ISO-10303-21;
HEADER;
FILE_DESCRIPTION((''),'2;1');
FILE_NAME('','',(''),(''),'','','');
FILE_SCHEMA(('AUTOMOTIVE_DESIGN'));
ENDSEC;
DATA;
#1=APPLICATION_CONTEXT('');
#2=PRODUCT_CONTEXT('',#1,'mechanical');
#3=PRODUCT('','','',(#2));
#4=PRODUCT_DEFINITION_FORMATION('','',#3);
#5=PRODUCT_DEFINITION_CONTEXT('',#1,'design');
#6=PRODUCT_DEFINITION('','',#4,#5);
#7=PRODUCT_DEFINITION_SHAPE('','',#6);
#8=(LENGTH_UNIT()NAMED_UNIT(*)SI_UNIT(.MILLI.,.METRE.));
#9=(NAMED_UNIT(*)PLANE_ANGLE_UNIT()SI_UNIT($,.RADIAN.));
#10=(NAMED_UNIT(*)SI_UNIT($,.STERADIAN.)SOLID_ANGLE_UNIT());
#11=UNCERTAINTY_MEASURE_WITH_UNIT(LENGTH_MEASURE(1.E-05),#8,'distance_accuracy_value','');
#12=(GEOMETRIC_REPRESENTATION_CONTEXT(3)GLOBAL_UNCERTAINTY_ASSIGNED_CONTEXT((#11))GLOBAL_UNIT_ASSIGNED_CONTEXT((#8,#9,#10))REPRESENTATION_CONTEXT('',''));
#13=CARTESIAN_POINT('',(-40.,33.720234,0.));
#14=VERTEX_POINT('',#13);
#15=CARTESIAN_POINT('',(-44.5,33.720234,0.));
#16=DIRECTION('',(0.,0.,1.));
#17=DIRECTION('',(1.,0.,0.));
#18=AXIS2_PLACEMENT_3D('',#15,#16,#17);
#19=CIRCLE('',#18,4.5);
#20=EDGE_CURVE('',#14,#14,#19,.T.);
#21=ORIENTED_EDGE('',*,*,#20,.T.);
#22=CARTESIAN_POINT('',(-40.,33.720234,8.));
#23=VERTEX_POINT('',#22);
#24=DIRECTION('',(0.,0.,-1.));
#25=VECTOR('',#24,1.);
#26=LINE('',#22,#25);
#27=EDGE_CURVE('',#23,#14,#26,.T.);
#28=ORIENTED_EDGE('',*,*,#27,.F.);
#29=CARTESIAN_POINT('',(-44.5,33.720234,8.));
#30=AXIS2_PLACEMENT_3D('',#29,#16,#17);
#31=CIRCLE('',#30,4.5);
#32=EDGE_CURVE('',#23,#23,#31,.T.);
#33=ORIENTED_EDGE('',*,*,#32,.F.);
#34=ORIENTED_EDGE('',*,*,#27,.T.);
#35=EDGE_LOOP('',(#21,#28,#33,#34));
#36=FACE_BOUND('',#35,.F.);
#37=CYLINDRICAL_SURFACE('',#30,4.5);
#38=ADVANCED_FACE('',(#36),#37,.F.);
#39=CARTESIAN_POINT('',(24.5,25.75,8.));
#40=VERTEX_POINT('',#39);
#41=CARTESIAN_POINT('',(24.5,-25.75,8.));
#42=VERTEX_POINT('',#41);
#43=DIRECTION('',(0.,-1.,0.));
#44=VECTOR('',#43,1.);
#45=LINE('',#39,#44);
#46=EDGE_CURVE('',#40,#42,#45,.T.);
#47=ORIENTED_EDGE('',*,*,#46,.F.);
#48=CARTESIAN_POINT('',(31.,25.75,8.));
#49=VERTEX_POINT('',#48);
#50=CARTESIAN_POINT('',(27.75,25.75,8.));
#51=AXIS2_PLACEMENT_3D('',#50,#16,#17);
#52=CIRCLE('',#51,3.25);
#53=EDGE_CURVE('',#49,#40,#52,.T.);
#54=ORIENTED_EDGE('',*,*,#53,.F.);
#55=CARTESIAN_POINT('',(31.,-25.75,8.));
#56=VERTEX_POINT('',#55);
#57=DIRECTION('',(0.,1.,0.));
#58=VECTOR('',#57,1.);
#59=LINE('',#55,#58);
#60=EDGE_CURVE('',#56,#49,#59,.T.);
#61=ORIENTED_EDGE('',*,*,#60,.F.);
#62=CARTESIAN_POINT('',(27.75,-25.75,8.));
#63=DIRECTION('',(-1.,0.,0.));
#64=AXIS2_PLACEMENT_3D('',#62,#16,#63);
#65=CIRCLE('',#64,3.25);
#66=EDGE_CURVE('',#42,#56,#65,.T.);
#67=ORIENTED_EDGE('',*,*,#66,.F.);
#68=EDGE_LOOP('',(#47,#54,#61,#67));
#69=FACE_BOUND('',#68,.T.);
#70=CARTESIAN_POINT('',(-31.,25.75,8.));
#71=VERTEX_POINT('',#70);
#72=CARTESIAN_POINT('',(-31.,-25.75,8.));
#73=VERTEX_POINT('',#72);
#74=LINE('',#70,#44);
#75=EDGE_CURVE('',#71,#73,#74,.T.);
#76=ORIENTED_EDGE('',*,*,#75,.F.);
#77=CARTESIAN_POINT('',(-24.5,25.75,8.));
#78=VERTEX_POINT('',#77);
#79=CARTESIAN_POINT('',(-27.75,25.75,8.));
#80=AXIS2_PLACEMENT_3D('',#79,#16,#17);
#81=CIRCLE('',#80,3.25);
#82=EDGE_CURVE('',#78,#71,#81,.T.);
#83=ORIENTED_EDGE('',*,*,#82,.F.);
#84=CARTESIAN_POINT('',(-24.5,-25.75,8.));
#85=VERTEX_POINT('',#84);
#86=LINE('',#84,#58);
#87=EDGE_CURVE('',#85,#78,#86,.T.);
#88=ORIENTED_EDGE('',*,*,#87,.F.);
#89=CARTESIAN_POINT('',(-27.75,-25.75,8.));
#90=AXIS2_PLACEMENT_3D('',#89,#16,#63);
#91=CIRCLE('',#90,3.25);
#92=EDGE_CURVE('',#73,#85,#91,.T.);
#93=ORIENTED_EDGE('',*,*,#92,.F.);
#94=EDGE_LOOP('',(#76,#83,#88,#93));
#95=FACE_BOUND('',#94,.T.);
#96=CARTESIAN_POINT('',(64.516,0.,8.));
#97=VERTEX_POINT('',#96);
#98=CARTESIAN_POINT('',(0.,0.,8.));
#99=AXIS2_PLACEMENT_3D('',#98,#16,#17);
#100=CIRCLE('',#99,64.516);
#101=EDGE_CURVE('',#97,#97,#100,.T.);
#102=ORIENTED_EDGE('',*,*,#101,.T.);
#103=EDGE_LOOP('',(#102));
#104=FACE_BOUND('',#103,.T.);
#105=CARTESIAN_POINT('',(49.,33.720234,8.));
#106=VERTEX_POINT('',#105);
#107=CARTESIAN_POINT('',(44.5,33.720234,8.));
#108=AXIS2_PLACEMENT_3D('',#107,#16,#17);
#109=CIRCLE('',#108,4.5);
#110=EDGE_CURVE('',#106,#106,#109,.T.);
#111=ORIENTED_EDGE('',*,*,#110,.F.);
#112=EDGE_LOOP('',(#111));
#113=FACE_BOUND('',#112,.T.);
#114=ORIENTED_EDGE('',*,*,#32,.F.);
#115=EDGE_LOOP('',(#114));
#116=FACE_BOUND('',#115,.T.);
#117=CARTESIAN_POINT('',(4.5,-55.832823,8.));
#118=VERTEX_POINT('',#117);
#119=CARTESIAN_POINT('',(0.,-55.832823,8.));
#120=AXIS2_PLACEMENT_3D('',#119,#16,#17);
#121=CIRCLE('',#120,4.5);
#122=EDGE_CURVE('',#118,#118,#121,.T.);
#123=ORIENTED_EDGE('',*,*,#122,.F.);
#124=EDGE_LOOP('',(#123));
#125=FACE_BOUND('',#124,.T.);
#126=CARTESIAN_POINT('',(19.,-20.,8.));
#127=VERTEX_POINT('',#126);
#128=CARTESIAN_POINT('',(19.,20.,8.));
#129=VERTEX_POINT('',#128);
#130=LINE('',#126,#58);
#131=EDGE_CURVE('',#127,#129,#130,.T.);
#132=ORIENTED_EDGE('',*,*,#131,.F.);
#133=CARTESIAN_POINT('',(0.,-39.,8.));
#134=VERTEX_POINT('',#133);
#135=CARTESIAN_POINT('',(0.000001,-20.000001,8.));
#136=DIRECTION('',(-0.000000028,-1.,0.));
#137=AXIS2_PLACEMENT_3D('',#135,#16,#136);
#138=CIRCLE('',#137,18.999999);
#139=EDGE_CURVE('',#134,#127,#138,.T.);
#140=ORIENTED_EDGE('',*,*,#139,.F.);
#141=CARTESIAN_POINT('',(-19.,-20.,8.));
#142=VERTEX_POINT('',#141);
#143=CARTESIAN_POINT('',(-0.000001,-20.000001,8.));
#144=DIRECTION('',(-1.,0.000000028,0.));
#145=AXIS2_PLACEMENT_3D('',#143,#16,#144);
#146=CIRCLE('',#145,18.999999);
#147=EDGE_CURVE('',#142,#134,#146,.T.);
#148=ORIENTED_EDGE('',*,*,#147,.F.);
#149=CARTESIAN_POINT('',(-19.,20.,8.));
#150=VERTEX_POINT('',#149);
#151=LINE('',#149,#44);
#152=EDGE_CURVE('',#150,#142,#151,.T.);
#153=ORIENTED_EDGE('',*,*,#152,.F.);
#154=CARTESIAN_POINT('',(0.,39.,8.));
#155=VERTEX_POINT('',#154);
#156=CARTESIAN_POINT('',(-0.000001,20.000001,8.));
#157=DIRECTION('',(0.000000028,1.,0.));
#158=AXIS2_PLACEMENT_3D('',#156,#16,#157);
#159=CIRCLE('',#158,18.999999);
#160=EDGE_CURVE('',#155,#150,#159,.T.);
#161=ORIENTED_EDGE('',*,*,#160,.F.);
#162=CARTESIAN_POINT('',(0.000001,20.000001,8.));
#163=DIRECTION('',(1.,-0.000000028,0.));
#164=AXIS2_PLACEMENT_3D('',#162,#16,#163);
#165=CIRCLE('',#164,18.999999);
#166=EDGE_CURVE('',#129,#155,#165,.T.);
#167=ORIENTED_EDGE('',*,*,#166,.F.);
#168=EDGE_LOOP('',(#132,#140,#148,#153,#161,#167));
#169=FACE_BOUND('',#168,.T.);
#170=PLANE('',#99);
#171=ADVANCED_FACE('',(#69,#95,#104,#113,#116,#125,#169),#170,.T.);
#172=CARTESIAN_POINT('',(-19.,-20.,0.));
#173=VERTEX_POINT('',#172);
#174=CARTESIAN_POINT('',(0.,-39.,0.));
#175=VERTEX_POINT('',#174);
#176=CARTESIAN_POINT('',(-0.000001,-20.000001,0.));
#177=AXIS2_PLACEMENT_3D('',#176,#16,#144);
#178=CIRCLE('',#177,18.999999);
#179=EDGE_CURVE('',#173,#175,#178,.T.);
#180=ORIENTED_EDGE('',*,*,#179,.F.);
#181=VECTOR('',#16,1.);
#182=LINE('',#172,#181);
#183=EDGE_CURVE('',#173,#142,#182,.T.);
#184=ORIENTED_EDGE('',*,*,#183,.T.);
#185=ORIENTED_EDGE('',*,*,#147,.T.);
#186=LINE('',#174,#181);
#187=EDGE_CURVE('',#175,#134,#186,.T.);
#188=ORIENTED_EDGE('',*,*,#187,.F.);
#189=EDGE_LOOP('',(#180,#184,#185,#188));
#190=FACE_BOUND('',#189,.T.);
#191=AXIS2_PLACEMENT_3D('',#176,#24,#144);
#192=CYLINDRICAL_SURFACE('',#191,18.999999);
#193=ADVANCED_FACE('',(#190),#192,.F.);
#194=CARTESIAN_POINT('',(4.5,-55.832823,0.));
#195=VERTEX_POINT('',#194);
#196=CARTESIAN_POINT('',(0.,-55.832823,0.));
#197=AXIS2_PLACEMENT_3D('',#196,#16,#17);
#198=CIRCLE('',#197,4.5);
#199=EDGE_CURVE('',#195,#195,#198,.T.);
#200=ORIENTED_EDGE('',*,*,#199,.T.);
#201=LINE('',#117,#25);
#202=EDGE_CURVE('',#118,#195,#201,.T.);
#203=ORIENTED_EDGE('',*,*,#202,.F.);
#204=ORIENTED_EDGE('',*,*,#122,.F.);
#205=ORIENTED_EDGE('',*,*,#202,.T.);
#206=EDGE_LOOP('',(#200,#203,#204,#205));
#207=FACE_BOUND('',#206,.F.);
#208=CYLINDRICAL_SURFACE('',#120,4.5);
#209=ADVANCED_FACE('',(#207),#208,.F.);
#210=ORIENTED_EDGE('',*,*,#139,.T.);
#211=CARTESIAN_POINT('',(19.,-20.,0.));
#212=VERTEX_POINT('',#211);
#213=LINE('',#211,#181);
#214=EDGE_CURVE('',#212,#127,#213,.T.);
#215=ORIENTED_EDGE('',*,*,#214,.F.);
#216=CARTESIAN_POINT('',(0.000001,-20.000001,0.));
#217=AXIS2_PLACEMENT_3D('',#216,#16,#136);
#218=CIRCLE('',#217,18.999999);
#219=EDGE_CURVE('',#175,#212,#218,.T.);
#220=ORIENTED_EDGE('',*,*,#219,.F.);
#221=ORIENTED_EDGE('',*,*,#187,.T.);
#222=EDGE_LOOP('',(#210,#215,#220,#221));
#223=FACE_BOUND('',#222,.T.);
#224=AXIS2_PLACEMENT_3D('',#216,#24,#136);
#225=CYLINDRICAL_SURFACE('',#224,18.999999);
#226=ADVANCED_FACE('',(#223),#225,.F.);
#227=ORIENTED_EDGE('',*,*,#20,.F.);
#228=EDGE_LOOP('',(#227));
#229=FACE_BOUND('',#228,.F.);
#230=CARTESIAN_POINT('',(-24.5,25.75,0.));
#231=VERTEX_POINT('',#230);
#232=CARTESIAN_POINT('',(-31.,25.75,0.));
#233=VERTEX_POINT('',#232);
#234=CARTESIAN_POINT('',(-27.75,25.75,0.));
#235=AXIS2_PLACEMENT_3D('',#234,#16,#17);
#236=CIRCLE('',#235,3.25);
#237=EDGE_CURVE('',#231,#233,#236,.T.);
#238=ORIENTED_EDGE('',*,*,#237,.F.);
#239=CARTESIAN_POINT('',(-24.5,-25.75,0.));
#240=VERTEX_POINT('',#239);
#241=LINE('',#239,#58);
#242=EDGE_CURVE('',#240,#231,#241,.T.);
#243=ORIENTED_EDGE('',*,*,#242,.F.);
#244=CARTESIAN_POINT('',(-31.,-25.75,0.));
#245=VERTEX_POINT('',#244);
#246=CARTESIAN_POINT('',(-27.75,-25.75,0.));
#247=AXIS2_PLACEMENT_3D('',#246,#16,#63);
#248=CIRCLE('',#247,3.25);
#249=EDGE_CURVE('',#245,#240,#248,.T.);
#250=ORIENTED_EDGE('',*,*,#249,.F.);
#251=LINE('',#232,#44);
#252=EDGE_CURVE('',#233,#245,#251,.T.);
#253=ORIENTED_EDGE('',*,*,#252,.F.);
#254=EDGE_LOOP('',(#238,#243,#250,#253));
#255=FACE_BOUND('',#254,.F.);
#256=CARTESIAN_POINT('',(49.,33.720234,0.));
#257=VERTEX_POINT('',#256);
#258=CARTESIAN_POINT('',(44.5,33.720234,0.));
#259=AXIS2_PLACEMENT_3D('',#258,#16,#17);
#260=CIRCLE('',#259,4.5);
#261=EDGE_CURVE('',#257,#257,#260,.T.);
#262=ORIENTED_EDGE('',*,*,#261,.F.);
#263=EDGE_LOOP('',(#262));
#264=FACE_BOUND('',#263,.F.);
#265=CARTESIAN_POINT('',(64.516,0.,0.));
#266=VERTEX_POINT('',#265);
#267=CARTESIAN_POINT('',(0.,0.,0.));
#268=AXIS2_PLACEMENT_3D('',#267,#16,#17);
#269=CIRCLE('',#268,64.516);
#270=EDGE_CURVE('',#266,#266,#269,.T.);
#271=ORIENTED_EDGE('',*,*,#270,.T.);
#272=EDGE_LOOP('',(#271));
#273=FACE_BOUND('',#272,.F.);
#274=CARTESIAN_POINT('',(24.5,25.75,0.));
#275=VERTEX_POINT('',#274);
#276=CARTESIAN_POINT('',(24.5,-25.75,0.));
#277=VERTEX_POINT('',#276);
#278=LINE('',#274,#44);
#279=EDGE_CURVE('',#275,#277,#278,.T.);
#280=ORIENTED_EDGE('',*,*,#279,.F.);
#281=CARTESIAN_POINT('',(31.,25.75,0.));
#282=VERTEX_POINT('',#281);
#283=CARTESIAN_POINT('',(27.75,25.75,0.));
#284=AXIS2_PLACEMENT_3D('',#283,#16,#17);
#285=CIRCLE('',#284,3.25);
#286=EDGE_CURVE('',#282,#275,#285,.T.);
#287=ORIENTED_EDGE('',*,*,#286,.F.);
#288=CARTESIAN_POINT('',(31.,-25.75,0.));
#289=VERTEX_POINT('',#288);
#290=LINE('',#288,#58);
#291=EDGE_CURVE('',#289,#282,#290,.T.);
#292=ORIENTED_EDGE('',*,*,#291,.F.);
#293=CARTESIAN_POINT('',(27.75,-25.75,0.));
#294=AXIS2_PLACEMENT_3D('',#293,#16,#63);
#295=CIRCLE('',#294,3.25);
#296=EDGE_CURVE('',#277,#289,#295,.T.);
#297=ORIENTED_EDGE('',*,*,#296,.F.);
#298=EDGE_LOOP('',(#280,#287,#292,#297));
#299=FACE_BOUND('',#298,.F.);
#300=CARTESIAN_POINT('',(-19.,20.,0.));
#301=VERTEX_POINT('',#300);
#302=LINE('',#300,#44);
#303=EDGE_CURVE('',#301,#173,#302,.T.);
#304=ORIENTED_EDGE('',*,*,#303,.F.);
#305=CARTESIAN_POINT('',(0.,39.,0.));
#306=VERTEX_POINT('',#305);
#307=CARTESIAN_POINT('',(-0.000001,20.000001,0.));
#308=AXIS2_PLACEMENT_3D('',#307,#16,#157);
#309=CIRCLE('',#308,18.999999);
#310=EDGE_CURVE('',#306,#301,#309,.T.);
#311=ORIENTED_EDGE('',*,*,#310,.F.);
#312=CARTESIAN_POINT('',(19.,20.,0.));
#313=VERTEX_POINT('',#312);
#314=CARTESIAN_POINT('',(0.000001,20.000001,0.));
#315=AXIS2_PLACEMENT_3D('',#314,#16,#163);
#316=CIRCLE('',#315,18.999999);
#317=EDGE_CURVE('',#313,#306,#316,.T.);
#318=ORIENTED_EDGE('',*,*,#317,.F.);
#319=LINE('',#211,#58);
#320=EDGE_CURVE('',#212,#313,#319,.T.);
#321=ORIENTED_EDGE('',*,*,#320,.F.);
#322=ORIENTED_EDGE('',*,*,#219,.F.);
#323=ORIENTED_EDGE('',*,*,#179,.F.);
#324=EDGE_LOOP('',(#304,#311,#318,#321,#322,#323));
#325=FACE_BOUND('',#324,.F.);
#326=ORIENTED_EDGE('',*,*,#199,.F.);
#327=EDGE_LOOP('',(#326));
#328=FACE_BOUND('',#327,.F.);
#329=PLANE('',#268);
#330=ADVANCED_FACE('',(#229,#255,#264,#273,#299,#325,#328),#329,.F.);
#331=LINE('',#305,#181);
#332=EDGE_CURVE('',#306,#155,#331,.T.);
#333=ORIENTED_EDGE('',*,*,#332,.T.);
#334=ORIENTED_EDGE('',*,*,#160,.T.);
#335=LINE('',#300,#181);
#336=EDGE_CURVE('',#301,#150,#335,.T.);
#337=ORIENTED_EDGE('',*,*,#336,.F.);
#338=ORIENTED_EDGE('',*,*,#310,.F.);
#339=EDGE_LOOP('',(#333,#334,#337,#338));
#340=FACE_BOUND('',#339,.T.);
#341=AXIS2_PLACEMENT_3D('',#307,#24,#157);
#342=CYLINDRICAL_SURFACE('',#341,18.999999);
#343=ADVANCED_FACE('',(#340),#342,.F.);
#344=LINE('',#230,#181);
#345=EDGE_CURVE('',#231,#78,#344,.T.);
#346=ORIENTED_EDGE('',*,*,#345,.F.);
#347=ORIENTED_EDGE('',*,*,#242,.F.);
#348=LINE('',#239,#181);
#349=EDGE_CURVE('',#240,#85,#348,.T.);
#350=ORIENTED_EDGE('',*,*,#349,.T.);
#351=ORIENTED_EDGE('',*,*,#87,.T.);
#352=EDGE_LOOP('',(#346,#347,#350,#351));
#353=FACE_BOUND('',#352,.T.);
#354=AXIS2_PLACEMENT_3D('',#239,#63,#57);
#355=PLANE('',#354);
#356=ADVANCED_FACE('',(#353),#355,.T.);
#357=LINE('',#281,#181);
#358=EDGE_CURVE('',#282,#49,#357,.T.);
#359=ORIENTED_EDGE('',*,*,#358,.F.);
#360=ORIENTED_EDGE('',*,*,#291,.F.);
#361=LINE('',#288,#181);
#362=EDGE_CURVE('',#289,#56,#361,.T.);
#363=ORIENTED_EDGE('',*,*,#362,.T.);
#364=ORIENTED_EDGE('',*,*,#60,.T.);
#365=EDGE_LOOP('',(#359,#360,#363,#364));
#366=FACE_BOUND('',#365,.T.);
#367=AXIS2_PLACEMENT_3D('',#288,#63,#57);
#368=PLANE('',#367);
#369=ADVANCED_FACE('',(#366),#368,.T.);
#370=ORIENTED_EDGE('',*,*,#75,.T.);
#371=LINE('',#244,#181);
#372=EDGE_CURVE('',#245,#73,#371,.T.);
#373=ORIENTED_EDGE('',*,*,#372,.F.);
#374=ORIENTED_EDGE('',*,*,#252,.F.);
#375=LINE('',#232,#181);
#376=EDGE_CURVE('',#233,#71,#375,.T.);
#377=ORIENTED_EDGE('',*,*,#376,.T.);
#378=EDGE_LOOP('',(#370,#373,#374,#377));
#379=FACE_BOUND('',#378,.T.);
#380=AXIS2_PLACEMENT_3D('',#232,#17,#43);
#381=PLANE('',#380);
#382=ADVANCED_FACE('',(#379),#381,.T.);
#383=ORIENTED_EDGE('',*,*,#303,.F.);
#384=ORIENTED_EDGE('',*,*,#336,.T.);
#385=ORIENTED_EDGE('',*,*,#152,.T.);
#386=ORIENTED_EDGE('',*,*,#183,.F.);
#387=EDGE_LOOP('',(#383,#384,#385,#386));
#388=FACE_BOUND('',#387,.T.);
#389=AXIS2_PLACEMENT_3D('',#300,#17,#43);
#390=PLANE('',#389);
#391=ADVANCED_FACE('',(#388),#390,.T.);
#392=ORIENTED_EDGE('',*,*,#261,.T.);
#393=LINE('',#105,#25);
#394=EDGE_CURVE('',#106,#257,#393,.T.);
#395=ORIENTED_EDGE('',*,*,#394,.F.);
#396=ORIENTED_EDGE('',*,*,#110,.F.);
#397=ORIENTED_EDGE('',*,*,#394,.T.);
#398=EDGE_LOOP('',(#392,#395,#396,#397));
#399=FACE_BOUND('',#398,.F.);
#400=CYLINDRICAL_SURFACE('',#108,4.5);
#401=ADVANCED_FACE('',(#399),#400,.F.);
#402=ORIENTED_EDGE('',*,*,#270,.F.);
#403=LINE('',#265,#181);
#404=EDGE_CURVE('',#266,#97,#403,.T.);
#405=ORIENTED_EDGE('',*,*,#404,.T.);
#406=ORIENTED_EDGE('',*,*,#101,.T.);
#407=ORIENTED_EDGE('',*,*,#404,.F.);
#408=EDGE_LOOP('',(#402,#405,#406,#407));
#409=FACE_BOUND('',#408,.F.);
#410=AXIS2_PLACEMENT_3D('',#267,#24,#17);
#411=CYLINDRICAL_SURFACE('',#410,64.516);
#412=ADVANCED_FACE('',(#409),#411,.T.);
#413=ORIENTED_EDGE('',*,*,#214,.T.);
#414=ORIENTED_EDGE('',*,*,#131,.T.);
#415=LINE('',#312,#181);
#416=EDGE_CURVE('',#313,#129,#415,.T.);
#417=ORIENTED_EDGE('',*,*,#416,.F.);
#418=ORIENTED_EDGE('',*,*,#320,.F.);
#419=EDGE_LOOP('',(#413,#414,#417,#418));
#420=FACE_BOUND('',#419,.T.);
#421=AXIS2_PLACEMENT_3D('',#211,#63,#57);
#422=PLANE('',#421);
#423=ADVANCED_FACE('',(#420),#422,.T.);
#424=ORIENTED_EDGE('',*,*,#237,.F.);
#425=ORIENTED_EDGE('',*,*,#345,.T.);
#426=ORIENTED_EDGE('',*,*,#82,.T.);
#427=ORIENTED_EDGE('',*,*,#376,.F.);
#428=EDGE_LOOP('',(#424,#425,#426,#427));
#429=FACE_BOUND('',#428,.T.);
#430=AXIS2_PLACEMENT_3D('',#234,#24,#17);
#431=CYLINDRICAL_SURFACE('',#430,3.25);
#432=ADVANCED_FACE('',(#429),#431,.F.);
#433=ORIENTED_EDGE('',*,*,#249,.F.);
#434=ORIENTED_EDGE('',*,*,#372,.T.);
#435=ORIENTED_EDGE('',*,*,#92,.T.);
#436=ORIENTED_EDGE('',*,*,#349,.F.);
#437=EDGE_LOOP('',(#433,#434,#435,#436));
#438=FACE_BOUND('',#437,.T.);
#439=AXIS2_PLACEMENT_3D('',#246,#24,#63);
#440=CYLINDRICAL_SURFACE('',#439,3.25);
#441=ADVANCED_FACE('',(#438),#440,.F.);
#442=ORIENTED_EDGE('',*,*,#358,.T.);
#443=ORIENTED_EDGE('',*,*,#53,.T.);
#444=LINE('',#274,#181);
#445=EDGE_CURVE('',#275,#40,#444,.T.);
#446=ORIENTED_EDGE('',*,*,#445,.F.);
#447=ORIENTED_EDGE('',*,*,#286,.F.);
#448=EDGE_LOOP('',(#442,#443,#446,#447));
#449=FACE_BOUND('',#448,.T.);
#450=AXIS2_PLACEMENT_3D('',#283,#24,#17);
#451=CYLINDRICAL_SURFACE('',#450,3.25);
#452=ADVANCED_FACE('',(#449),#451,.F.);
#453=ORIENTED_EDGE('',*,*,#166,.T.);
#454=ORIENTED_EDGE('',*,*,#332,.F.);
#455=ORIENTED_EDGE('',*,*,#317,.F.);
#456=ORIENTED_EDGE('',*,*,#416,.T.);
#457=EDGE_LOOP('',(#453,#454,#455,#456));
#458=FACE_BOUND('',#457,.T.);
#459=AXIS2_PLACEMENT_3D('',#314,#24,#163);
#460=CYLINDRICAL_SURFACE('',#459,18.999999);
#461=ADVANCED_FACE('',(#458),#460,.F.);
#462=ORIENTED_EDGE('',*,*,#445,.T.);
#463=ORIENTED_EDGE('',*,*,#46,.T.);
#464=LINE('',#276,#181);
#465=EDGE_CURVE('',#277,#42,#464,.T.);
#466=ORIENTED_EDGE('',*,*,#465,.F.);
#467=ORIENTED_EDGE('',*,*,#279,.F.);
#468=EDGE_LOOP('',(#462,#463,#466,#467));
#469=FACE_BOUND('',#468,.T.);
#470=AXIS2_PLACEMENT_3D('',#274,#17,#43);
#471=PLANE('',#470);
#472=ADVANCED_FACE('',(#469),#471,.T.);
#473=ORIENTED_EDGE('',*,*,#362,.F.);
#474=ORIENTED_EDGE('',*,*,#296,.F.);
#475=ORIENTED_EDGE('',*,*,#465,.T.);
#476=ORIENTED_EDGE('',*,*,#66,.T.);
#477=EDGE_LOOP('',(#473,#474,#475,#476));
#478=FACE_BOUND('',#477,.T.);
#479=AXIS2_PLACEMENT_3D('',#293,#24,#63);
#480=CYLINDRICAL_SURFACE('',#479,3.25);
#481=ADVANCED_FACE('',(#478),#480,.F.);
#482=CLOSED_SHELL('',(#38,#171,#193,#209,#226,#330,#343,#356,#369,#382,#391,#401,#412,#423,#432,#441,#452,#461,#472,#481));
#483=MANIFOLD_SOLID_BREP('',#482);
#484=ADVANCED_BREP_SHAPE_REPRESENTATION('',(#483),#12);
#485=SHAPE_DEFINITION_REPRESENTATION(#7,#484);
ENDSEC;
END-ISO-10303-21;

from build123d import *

# Parameters (mm, degrees)
F0_R     = 64.516
F2_DEPTH = 8
F3_DEPTH = 8
F4_R     = 4.5
F5_DEPTH = 8


with BuildPart() as f2:
    # F0 (on Top) → F2 (new body)
    with BuildSketch(Plane.XY):
        Circle(F0_R)
    extrude(amount=F2_DEPTH)

    # F1 (on Top) → F3 (cut, through all)
    with BuildSketch(Plane.XY):
        with BuildLine():
            Line((-19, 20), (-19, 0))
            Line((-19, 0), (-19, -20))
            ThreePointArc((-19, -20), (-13.435029, -33.435029), (0, -39))
            ThreePointArc((0, -39), (13.435029, -33.435029), (19, -20))
            Line((19, -20), (19, 0))
            Line((19, 0), (19, 20))
            ThreePointArc((19, 20), (13.435029, 33.435029), (0, 39))
            ThreePointArc((0, 39), (-13.435029, 33.435029), (-19, 20))
        make_face()
        with BuildLine():
            Line((-24.5, -25.75), (-24.5, 0))
            Line((-24.5, 0), (-24.5, 25.75))
            ThreePointArc((-24.5, 25.75), (-27.75, 29), (-31, 25.75))
            Line((-31, 25.75), (-31, 0))
            Line((-31, 0), (-31, -25.75))
            ThreePointArc((-31, -25.75), (-27.75, -29), (-24.5, -25.75))
        make_face()
        with BuildLine():
            Line((24.5, 25.75), (24.5, 0))
            Line((24.5, 0), (24.5, -25.75))
            ThreePointArc((24.5, -25.75), (27.75, -29), (31, -25.75))
            Line((31, -25.75), (31, 0))
            Line((31, 0), (31, 25.75))
            ThreePointArc((31, 25.75), (27.75, 29), (24.5, 25.75))
        make_face()
    extrude(amount=F3_DEPTH, mode=Mode.SUBTRACT)

    # F4 (on face) → F5 (cut, through all)
    with BuildSketch(Plane.XY.offset(8)):
        with Locations((0, -55.832823)):
            Circle(F4_R)
        with Locations((-44.5, 33.720234)):
            Circle(F4_R)
        with Locations((44.5, 33.720234)):
            Circle(F4_R)
    extrude(amount=-F5_DEPTH, mode=Mode.SUBTRACT)


solid = f2.part
